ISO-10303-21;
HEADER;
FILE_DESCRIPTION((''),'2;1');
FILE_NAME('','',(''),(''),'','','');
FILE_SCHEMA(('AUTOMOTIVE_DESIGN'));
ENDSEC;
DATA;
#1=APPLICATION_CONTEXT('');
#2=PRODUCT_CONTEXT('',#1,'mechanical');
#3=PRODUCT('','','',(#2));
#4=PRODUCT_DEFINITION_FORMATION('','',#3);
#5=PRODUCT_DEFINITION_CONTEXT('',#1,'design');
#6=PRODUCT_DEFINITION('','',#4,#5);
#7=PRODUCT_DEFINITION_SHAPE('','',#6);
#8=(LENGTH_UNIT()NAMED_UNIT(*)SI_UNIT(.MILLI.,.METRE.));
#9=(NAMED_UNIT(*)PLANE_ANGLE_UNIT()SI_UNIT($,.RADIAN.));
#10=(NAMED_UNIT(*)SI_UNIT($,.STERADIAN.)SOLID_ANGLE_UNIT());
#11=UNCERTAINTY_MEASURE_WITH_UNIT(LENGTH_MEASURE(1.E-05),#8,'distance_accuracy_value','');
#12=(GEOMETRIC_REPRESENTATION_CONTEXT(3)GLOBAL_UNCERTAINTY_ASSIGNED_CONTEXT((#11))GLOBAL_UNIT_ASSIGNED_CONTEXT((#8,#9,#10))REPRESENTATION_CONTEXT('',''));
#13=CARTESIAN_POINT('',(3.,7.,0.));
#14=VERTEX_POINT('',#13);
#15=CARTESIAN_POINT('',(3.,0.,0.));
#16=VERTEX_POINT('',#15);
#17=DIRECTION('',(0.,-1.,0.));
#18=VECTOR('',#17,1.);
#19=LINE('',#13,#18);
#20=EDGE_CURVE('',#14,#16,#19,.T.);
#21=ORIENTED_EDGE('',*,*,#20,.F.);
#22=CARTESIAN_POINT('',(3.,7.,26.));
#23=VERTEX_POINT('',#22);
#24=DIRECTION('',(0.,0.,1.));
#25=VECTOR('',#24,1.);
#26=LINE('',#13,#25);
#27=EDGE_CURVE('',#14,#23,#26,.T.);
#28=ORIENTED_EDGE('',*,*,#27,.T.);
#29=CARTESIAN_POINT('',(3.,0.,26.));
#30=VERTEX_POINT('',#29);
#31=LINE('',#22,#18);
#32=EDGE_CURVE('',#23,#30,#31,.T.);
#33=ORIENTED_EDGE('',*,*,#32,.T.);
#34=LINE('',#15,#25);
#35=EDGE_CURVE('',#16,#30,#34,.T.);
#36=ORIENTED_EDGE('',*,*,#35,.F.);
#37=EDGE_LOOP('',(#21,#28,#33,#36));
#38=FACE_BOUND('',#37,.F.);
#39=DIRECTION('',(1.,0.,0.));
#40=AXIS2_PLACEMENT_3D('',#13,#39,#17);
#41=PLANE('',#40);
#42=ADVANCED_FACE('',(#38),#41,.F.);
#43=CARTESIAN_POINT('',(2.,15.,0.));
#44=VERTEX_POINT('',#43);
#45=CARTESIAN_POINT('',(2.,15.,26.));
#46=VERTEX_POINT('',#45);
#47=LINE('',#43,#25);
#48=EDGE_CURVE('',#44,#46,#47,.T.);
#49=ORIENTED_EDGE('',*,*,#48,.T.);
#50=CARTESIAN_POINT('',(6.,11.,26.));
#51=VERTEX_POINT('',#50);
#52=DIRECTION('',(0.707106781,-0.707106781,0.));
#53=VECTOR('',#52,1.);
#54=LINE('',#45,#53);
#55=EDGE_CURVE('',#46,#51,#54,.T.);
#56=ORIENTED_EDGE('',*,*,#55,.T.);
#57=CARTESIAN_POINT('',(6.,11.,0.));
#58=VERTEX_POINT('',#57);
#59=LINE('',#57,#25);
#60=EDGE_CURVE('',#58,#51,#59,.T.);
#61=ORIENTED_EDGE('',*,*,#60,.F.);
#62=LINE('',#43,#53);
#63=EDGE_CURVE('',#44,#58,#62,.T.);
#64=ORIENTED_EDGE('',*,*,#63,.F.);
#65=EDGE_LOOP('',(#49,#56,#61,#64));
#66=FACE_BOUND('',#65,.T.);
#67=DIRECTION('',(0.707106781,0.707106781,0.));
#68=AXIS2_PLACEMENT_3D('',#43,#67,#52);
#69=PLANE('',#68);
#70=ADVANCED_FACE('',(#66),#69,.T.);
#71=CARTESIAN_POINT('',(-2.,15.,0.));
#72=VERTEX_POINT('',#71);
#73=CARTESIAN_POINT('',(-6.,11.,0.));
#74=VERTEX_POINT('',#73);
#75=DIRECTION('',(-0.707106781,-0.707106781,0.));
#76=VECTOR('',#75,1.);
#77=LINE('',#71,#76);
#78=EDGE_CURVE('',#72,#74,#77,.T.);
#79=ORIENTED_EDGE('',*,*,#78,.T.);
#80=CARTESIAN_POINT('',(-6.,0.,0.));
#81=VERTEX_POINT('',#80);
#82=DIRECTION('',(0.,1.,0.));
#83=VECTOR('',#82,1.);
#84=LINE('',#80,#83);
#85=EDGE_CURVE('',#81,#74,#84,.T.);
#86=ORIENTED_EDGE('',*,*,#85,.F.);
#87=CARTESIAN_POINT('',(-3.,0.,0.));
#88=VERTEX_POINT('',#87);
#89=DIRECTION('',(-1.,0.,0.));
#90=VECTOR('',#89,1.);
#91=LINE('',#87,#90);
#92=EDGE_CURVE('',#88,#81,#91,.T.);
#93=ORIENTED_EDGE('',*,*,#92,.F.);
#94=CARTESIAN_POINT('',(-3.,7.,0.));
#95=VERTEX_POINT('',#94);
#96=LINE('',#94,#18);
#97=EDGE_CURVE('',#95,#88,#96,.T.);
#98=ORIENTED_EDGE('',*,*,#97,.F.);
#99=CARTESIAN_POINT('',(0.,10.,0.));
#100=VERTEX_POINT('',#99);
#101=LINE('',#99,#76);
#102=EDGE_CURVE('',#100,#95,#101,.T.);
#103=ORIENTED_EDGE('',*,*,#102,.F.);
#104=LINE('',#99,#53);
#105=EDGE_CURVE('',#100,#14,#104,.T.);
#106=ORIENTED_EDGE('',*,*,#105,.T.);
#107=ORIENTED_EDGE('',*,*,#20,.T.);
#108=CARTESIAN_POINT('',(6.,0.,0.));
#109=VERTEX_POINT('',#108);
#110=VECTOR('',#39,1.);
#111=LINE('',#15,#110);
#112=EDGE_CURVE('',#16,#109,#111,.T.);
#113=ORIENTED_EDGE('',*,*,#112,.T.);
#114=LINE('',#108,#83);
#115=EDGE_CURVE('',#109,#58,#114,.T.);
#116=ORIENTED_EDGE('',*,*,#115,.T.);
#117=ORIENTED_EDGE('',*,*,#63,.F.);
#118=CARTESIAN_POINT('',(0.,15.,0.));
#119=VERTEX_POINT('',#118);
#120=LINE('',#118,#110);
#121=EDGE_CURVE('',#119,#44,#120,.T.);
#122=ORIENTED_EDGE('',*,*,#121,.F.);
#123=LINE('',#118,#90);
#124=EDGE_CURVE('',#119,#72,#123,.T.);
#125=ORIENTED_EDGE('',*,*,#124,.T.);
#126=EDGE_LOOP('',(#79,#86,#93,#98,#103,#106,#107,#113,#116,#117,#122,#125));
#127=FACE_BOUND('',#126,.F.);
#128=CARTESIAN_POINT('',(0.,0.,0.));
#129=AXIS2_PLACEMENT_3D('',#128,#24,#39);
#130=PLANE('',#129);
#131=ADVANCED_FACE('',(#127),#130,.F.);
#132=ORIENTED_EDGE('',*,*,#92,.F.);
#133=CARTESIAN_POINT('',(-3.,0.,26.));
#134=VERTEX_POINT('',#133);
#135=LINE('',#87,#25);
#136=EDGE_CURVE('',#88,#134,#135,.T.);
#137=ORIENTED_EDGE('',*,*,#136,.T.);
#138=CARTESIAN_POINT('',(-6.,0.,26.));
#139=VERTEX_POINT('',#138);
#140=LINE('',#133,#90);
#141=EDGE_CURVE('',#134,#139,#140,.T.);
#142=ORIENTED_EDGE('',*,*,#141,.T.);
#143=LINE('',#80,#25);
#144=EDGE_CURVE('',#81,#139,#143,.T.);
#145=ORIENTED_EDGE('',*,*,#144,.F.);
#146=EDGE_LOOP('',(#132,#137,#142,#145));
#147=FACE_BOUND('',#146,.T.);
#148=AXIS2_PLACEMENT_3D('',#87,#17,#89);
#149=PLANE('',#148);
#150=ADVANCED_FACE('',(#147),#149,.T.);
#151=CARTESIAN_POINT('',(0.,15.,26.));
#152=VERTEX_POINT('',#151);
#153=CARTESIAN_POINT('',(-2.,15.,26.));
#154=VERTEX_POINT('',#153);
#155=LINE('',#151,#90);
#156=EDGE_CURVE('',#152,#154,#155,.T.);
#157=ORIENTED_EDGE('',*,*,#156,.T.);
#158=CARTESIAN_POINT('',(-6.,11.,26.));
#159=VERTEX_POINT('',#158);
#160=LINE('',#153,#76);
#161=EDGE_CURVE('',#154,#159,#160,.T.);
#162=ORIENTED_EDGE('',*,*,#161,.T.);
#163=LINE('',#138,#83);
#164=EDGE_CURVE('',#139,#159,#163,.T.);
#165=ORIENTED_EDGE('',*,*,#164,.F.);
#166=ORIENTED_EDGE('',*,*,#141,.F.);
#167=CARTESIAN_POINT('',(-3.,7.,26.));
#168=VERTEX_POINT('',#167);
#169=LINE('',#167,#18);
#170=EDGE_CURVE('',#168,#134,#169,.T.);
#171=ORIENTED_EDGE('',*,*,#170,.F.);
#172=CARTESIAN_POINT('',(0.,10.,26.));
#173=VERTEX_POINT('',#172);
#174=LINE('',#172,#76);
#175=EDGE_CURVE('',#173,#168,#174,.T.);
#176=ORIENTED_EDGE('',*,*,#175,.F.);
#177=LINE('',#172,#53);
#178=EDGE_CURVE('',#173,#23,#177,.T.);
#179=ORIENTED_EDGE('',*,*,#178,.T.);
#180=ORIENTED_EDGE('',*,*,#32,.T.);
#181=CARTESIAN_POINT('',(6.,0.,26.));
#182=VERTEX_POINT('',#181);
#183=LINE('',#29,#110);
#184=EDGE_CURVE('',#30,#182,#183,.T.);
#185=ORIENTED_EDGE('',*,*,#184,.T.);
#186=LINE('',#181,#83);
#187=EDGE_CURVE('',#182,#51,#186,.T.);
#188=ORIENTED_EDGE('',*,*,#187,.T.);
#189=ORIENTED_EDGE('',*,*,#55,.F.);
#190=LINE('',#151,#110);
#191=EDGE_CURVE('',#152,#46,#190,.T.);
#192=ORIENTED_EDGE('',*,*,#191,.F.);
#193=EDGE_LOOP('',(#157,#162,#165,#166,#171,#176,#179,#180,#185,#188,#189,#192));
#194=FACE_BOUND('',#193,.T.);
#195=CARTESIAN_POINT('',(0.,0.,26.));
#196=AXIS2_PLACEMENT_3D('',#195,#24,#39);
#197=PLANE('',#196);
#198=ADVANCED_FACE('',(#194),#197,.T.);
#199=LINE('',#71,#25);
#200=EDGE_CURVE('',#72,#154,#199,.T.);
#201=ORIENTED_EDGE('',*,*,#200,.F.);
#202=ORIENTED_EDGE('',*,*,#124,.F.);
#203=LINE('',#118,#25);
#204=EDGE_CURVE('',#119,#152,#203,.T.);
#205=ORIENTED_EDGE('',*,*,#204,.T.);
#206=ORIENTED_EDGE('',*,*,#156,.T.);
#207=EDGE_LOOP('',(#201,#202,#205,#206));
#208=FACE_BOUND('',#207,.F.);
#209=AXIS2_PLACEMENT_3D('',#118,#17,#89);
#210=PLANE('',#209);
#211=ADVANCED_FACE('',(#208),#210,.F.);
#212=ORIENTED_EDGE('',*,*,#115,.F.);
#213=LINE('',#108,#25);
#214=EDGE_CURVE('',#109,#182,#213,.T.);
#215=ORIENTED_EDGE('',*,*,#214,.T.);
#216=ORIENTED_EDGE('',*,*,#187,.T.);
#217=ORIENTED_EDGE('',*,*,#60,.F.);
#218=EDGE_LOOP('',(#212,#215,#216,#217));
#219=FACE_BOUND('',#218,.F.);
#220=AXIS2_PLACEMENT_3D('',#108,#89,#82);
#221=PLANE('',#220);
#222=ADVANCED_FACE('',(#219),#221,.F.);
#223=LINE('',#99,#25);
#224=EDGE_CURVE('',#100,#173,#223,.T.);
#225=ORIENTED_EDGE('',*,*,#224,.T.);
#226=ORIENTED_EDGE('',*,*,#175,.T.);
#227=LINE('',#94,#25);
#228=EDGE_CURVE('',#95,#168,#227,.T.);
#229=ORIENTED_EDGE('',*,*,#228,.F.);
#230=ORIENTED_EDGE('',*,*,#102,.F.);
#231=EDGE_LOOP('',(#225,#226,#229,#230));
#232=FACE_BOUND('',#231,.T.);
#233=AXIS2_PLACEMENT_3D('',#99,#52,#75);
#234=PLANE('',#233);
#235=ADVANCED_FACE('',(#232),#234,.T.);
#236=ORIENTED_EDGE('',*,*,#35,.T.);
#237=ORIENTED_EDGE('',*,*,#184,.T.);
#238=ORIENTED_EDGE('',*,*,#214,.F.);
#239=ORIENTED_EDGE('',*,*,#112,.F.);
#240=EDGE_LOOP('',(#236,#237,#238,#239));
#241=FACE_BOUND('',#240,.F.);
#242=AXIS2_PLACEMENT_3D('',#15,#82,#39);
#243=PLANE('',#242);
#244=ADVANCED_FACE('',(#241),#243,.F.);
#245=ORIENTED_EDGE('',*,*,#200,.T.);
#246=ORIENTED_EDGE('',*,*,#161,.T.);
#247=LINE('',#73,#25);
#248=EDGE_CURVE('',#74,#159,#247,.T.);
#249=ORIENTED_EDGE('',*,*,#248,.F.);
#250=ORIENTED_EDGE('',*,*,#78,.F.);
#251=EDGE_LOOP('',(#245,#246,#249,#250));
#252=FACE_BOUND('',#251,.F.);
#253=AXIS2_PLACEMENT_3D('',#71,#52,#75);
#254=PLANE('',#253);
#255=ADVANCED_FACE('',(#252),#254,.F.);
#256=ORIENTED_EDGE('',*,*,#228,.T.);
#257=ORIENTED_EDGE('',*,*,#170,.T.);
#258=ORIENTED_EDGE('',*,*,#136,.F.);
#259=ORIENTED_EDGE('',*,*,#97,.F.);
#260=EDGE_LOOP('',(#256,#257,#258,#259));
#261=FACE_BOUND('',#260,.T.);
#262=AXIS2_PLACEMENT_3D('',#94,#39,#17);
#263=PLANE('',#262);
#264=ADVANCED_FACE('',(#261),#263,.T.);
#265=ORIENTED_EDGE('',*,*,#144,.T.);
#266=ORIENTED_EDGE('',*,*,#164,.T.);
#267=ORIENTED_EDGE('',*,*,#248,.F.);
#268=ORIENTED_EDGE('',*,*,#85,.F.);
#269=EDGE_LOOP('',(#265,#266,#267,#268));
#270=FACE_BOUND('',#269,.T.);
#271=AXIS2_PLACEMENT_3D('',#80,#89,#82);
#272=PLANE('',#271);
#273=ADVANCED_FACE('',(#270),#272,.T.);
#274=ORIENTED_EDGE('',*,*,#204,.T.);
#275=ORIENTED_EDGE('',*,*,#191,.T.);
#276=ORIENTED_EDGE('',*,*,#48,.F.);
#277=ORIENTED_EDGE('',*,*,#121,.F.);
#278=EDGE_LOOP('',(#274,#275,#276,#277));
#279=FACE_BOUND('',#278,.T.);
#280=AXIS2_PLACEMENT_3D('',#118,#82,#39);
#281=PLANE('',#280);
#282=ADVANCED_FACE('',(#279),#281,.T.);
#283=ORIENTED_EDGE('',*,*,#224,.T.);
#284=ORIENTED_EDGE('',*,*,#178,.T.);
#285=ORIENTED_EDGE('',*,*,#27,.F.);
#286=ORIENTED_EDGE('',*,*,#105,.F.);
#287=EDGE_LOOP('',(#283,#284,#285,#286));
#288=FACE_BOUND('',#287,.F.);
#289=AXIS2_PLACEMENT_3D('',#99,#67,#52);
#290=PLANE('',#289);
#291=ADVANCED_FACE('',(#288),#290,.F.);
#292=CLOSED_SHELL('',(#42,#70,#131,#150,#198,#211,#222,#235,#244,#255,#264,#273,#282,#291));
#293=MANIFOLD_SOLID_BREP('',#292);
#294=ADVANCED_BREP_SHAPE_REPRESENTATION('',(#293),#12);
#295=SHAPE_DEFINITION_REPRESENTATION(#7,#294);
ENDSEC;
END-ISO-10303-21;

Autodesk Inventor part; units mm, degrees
ref_plane "YZ Plane" through (0, 0, 0) normal (1, 0, 0) x (0, 1, 0)
ref_plane "XZ Plane" through (0, 0, 0) normal (0, 1, 0) x (-1, 0, 0)
ref_plane "XY Plane" through (0, 0, 0) normal (0, 0, 1) x (1, 0, 0)
sketch "Sketch1" plane through (0, 0, 0) normal (0, 0, 1) x (1, 0, 0)
  line L0 (3, 0) -> (6, 0)
  line L1 (6, 0) -> (6, 11)
  line L2 (0, 15) -> (2, 15)
  line L3 (2, 15) -> (6, 11)
  line L4 (0, 10) -> (3, 7)
  line L5 (3, 7) -> (3, 0)
  line L6 (-3, 0) -> (-6, 0)
  line L7 (-6, 0) -> (-6, 11)
  line L8 (0, 15) -> (-2, 15)
  line L9 (-2, 15) -> (-6, 11)
  line L10 (0, 10) -> (-3, 7)
  line L11 (-3, 7) -> (-3, 0)
  point P0 (0, 0)
  dimension "d1" = 3
  dimension "d2" = 11
  dimension "d4" = 2
  dimension "d5" = 10
extrude "Extrusion1" add sketch "Sketch1" along normal blind 26
properties part number "outside-join"
